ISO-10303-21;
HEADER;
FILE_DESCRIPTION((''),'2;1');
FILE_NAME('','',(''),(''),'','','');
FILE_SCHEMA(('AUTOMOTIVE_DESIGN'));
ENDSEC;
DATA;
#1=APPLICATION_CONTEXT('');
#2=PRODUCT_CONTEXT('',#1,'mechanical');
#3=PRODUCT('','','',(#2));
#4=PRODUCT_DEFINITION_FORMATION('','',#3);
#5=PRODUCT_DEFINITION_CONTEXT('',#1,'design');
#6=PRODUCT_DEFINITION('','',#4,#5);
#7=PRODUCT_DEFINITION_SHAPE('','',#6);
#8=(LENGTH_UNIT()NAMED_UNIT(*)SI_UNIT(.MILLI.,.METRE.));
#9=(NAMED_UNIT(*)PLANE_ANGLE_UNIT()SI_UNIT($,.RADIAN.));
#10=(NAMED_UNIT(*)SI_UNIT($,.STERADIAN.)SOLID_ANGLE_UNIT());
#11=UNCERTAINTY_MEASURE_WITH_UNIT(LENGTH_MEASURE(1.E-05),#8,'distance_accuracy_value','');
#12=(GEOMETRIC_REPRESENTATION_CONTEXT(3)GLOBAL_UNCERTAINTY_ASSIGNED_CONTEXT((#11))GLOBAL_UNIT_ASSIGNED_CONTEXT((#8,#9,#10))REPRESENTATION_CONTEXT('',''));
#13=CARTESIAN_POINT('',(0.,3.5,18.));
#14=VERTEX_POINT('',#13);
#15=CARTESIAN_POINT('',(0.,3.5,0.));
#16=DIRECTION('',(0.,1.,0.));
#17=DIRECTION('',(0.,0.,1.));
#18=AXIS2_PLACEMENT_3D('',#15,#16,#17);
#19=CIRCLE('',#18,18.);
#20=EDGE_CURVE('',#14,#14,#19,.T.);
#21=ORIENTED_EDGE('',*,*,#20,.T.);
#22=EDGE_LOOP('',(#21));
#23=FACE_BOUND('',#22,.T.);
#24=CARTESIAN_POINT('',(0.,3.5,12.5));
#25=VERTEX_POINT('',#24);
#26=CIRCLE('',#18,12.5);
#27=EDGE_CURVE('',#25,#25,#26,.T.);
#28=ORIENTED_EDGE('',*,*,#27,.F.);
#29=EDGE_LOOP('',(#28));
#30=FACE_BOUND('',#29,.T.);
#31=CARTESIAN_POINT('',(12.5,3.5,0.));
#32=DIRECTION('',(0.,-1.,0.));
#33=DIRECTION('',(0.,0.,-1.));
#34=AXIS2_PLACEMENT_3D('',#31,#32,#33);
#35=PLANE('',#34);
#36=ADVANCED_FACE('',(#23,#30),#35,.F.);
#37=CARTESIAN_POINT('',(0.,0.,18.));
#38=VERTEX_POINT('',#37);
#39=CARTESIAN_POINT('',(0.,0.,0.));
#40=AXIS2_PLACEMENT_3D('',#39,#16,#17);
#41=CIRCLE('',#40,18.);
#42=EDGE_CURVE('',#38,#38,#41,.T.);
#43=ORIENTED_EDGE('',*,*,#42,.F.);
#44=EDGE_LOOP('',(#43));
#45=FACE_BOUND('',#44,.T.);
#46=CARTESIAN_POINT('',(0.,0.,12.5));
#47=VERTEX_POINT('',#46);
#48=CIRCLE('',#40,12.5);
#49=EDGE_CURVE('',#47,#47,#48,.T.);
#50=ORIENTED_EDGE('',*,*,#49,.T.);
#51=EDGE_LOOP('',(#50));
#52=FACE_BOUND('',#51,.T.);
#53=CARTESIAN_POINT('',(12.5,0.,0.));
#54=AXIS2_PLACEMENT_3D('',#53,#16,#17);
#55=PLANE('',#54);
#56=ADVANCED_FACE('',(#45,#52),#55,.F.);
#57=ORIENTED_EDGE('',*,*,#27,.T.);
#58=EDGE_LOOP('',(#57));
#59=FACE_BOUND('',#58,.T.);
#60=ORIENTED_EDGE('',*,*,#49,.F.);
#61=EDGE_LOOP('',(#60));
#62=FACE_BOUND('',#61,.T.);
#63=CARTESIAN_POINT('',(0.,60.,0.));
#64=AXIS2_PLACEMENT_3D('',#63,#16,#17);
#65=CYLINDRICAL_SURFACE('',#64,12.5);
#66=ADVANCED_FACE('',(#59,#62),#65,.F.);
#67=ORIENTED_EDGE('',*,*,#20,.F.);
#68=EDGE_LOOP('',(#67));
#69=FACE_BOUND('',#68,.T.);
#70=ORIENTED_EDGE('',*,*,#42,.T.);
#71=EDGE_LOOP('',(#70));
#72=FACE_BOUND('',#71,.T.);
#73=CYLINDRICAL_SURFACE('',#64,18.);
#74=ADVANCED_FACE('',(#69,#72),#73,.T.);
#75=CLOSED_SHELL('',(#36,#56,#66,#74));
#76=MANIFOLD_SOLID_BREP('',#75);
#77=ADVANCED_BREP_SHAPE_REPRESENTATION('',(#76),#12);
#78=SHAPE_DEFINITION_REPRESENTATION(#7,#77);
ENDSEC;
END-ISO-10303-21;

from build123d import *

# Parameters (mm, degrees)
ESQUISSE1_W = 5.5
ESQUISSE1_H = 3.5


with BuildPart() as part:
    # Esquisse1 → Base-Révolution (revolve)
    with BuildSketch(Plane.XY):
        with Locations((15.25, 1.75)):
            Rectangle(ESQUISSE1_W, ESQUISSE1_H)
    revolve(axis=Axis((0, 60, 0), (0, -1, 0)))


solid = part.part
